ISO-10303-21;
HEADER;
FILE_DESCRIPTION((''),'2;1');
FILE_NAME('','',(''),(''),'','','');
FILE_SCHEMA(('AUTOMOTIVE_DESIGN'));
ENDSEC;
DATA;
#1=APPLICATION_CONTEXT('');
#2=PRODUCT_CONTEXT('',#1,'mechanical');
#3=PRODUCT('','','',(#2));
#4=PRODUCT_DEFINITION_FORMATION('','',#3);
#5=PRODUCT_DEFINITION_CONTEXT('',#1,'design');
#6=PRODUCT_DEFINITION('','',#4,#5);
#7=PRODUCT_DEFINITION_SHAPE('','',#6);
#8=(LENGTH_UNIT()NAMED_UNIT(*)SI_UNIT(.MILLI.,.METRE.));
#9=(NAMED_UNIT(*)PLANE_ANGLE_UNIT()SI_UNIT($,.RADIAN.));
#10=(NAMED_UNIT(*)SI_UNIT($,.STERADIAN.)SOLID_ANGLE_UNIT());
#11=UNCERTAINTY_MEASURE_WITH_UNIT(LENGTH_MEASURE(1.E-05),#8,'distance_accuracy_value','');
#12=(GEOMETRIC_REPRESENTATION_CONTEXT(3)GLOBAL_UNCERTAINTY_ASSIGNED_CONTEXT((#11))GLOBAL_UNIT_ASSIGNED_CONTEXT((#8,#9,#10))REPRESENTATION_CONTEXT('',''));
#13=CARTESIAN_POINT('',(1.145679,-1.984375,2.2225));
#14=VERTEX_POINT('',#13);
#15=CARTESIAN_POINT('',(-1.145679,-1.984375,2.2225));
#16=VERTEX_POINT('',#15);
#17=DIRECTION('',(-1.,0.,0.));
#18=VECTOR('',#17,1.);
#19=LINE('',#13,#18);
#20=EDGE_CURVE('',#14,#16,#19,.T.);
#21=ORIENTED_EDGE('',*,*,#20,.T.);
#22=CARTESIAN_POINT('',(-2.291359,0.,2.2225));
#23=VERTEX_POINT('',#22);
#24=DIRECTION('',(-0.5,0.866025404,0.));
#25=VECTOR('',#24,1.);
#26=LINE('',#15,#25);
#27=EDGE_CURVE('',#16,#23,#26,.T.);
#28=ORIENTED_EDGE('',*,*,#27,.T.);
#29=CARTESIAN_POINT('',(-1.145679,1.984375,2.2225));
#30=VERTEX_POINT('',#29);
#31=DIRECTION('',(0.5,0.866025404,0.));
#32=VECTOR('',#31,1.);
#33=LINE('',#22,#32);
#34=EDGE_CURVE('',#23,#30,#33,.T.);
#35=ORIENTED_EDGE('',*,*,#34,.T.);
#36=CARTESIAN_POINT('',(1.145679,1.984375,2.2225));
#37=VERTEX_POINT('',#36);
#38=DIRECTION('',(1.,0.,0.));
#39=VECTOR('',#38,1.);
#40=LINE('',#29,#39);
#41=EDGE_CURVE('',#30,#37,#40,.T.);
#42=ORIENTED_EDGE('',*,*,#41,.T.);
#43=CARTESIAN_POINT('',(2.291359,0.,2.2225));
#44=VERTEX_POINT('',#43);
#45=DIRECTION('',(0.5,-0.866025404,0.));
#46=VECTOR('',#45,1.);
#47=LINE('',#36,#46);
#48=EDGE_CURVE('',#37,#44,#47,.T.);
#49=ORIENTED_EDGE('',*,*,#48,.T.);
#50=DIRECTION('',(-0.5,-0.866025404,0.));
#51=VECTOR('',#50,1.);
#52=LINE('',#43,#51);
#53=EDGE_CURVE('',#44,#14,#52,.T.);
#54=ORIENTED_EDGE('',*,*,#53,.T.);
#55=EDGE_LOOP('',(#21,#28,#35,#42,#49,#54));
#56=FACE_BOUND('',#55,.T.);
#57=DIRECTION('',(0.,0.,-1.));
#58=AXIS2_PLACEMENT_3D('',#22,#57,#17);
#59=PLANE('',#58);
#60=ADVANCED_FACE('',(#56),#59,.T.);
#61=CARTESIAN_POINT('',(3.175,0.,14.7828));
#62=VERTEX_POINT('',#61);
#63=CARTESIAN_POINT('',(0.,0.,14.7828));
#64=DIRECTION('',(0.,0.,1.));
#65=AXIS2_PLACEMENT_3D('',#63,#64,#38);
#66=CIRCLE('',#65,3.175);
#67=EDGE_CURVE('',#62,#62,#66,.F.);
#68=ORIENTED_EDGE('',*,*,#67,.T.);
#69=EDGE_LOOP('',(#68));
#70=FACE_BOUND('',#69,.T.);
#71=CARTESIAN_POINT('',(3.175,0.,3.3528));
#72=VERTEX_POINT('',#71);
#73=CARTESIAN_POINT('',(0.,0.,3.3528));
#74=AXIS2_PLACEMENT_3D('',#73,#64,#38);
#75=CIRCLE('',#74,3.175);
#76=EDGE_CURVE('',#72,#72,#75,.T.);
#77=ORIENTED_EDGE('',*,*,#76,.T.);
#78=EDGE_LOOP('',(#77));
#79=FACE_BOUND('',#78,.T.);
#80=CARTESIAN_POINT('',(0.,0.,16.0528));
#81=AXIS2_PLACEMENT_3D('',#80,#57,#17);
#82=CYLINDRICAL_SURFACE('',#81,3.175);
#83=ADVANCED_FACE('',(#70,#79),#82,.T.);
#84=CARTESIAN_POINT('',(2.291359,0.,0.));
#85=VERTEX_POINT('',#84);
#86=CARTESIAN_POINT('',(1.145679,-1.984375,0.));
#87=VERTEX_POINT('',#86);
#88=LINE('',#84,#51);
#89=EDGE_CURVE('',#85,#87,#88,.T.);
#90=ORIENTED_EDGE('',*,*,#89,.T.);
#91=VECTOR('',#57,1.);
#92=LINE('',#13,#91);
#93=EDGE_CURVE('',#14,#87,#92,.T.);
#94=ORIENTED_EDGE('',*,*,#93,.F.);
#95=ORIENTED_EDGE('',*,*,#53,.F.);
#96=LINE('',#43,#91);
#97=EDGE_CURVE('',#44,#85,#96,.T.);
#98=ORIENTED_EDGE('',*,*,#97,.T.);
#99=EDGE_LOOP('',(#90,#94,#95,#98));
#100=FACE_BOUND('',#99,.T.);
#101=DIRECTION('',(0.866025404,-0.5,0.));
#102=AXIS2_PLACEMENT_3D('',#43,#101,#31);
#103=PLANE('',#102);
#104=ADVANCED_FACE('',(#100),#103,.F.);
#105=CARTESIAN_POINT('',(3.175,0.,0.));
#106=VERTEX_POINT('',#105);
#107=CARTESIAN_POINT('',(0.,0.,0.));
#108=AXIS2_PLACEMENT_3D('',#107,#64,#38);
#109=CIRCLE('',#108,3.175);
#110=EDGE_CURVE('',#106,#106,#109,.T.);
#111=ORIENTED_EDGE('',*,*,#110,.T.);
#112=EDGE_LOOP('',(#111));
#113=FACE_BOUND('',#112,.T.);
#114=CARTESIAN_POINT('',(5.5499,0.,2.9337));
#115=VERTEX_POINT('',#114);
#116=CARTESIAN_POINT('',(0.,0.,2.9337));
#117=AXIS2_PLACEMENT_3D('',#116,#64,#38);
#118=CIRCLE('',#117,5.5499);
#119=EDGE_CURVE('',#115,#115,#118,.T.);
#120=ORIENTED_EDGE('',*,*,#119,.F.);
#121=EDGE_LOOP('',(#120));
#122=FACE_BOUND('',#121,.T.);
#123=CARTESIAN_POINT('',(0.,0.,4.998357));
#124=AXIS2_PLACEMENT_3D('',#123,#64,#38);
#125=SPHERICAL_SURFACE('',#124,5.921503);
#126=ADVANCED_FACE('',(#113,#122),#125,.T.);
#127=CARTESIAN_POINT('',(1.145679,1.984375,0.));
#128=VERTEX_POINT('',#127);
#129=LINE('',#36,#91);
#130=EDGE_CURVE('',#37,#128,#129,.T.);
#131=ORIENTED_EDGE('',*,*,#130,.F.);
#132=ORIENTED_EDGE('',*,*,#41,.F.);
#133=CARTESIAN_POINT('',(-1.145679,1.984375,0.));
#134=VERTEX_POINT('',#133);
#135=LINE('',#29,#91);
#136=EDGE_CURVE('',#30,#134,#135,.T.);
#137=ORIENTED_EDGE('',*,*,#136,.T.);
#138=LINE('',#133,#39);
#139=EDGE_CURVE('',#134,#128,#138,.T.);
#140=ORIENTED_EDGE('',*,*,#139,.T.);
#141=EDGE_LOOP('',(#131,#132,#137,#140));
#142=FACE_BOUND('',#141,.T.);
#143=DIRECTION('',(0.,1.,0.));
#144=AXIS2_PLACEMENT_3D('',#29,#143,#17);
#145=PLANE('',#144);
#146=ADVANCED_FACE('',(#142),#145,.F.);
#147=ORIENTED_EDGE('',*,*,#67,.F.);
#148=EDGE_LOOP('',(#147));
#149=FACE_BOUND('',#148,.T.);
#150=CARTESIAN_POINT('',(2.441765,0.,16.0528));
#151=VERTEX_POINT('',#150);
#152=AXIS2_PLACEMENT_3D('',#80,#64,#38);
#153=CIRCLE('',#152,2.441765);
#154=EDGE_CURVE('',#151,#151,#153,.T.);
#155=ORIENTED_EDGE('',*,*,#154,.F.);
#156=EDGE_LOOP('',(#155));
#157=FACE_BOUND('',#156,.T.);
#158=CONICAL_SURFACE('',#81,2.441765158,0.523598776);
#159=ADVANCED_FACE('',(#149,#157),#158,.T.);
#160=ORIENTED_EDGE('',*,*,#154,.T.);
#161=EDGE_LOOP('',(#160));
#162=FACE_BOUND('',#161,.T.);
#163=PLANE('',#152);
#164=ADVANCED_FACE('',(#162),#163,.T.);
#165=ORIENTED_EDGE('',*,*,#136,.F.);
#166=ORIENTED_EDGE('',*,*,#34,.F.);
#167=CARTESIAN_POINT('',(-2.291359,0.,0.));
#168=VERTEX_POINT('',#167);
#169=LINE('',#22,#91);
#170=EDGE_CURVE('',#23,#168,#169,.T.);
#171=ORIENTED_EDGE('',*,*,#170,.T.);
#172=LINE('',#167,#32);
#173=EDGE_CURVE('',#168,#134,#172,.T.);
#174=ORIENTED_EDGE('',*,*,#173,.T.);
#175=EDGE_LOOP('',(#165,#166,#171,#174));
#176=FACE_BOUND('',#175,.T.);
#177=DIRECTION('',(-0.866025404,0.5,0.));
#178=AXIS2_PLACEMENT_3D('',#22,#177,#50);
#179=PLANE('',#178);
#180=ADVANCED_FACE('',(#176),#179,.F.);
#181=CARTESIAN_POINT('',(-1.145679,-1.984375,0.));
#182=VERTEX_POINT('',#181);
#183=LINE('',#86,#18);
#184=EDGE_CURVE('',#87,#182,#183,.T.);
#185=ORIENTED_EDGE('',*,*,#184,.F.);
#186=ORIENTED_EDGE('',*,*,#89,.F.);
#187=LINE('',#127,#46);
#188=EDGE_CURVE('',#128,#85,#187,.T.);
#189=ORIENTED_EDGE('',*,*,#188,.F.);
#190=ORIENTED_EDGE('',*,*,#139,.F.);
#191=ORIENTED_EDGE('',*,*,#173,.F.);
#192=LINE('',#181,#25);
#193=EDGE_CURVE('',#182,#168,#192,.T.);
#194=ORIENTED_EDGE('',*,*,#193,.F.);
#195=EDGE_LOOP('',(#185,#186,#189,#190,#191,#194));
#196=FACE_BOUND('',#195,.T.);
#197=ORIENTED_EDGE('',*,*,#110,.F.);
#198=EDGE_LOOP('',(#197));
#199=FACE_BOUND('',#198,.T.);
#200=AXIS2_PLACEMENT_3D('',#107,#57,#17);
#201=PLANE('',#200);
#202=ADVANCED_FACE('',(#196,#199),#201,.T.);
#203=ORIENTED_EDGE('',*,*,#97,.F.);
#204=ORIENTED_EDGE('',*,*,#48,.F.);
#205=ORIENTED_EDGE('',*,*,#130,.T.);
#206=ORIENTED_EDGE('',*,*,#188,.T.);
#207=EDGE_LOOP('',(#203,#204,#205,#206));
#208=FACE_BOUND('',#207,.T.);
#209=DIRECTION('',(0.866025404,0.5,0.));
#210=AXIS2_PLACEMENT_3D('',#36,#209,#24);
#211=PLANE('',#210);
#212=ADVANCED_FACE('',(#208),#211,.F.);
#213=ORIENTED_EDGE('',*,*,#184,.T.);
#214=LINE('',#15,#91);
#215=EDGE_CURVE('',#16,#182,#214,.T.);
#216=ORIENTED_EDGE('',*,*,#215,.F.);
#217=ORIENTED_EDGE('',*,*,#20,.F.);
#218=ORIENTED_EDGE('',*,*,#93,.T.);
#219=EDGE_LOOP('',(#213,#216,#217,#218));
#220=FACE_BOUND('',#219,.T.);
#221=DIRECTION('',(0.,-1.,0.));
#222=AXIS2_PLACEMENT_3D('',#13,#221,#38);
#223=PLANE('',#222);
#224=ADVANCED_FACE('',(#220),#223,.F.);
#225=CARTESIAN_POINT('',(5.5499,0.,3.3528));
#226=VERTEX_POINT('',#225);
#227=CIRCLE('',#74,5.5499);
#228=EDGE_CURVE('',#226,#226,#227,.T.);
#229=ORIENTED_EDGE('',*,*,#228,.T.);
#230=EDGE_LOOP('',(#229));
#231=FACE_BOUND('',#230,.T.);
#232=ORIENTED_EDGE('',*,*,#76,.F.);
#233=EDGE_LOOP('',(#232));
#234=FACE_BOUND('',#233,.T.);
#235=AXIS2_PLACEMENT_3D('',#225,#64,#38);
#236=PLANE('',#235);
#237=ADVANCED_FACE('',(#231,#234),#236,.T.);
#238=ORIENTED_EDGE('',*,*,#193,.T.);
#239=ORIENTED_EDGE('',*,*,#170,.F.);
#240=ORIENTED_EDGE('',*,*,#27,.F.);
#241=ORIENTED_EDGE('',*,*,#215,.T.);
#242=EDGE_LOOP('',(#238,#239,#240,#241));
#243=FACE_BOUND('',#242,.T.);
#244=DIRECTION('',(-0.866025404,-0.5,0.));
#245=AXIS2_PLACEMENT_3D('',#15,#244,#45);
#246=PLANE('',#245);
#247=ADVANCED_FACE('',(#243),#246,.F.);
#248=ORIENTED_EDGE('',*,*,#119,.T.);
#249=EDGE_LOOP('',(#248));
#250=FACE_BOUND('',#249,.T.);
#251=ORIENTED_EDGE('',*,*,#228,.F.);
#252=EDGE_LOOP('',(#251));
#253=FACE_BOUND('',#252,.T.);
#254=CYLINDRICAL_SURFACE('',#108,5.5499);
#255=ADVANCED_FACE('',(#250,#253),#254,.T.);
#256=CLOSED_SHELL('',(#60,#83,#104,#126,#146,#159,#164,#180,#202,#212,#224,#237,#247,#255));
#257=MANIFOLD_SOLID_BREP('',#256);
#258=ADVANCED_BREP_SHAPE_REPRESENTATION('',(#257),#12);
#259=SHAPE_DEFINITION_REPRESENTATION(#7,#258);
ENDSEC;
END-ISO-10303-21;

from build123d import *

# Parameters (mm, degrees)
CUT_EXTRUDE1_DEPTH  = 2.2225
SKETCH3_R           = 3.175
BOSS_EXTRUDE1_DEPTH = 12.7
CHAMFER1_SIZE       = 1.27
CHAMFER1_SIZE2      = 0.733234842


with BuildPart() as part:
    # Sketch1 → Revolve1 (revolve)
    with BuildSketch(Plane(origin=(0, 0, 0), x_dir=(1, 0, 0), z_dir=(0, 1, 0))):
        with BuildLine():
            Line((5.549899963, -3.3528), (5.549899963, -2.933699945))
            ThreePointArc((5.549899963, -2.933699945), (4.602457888, -1.27255785), (3.174999986, 0))
            Line((3.174999986, 0), (-1.6e-08, 0))
            Line((-1.6e-08, 0), (-1.6e-08, -3.3528))
            Line((-1.6e-08, -3.3528), (5.549899963, -3.3528))
        make_face()
    revolve(axis=Axis((-1.6e-08, 0, 0), (0, 0, -1)))

    # Sketch2 → Cut-Extrude1 (cut)
    with BuildSketch(Plane(origin=(0, 0, 0), x_dir=(-1, 0, 0), z_dir=(0, 0, -1))):
        Polygon((2.291358881, 0), (1.14567944, 1.984375), (-1.14567944, 1.984375), (-2.291358881, 0), (-1.14567944, -1.984375), (1.14567944, -1.984375), align=None)
    extrude(amount=-CUT_EXTRUDE1_DEPTH, mode=Mode.SUBTRACT)

    # Sketch3 → Boss-Extrude1 (add)
    with BuildSketch(Plane.XY.offset(3.3528)):
        Circle(SKETCH3_R)
    extrude(amount=BOSS_EXTRUDE1_DEPTH)

    # Chamfer1
    chamfer1_edges = [part.edges().sort_by_distance(p)[0] for p in [
        (-3.175, 0, 16.0528),
    ]]
    chamfer1_side = [part.faces().sort_by_distance(p)[0] for p in [
        (-3.175, 0, 9.7028),
    ]]
    chamfer(chamfer1_edges, length=CHAMFER1_SIZE, length2=CHAMFER1_SIZE2, reference=chamfer1_side[0])


solid = part.part
